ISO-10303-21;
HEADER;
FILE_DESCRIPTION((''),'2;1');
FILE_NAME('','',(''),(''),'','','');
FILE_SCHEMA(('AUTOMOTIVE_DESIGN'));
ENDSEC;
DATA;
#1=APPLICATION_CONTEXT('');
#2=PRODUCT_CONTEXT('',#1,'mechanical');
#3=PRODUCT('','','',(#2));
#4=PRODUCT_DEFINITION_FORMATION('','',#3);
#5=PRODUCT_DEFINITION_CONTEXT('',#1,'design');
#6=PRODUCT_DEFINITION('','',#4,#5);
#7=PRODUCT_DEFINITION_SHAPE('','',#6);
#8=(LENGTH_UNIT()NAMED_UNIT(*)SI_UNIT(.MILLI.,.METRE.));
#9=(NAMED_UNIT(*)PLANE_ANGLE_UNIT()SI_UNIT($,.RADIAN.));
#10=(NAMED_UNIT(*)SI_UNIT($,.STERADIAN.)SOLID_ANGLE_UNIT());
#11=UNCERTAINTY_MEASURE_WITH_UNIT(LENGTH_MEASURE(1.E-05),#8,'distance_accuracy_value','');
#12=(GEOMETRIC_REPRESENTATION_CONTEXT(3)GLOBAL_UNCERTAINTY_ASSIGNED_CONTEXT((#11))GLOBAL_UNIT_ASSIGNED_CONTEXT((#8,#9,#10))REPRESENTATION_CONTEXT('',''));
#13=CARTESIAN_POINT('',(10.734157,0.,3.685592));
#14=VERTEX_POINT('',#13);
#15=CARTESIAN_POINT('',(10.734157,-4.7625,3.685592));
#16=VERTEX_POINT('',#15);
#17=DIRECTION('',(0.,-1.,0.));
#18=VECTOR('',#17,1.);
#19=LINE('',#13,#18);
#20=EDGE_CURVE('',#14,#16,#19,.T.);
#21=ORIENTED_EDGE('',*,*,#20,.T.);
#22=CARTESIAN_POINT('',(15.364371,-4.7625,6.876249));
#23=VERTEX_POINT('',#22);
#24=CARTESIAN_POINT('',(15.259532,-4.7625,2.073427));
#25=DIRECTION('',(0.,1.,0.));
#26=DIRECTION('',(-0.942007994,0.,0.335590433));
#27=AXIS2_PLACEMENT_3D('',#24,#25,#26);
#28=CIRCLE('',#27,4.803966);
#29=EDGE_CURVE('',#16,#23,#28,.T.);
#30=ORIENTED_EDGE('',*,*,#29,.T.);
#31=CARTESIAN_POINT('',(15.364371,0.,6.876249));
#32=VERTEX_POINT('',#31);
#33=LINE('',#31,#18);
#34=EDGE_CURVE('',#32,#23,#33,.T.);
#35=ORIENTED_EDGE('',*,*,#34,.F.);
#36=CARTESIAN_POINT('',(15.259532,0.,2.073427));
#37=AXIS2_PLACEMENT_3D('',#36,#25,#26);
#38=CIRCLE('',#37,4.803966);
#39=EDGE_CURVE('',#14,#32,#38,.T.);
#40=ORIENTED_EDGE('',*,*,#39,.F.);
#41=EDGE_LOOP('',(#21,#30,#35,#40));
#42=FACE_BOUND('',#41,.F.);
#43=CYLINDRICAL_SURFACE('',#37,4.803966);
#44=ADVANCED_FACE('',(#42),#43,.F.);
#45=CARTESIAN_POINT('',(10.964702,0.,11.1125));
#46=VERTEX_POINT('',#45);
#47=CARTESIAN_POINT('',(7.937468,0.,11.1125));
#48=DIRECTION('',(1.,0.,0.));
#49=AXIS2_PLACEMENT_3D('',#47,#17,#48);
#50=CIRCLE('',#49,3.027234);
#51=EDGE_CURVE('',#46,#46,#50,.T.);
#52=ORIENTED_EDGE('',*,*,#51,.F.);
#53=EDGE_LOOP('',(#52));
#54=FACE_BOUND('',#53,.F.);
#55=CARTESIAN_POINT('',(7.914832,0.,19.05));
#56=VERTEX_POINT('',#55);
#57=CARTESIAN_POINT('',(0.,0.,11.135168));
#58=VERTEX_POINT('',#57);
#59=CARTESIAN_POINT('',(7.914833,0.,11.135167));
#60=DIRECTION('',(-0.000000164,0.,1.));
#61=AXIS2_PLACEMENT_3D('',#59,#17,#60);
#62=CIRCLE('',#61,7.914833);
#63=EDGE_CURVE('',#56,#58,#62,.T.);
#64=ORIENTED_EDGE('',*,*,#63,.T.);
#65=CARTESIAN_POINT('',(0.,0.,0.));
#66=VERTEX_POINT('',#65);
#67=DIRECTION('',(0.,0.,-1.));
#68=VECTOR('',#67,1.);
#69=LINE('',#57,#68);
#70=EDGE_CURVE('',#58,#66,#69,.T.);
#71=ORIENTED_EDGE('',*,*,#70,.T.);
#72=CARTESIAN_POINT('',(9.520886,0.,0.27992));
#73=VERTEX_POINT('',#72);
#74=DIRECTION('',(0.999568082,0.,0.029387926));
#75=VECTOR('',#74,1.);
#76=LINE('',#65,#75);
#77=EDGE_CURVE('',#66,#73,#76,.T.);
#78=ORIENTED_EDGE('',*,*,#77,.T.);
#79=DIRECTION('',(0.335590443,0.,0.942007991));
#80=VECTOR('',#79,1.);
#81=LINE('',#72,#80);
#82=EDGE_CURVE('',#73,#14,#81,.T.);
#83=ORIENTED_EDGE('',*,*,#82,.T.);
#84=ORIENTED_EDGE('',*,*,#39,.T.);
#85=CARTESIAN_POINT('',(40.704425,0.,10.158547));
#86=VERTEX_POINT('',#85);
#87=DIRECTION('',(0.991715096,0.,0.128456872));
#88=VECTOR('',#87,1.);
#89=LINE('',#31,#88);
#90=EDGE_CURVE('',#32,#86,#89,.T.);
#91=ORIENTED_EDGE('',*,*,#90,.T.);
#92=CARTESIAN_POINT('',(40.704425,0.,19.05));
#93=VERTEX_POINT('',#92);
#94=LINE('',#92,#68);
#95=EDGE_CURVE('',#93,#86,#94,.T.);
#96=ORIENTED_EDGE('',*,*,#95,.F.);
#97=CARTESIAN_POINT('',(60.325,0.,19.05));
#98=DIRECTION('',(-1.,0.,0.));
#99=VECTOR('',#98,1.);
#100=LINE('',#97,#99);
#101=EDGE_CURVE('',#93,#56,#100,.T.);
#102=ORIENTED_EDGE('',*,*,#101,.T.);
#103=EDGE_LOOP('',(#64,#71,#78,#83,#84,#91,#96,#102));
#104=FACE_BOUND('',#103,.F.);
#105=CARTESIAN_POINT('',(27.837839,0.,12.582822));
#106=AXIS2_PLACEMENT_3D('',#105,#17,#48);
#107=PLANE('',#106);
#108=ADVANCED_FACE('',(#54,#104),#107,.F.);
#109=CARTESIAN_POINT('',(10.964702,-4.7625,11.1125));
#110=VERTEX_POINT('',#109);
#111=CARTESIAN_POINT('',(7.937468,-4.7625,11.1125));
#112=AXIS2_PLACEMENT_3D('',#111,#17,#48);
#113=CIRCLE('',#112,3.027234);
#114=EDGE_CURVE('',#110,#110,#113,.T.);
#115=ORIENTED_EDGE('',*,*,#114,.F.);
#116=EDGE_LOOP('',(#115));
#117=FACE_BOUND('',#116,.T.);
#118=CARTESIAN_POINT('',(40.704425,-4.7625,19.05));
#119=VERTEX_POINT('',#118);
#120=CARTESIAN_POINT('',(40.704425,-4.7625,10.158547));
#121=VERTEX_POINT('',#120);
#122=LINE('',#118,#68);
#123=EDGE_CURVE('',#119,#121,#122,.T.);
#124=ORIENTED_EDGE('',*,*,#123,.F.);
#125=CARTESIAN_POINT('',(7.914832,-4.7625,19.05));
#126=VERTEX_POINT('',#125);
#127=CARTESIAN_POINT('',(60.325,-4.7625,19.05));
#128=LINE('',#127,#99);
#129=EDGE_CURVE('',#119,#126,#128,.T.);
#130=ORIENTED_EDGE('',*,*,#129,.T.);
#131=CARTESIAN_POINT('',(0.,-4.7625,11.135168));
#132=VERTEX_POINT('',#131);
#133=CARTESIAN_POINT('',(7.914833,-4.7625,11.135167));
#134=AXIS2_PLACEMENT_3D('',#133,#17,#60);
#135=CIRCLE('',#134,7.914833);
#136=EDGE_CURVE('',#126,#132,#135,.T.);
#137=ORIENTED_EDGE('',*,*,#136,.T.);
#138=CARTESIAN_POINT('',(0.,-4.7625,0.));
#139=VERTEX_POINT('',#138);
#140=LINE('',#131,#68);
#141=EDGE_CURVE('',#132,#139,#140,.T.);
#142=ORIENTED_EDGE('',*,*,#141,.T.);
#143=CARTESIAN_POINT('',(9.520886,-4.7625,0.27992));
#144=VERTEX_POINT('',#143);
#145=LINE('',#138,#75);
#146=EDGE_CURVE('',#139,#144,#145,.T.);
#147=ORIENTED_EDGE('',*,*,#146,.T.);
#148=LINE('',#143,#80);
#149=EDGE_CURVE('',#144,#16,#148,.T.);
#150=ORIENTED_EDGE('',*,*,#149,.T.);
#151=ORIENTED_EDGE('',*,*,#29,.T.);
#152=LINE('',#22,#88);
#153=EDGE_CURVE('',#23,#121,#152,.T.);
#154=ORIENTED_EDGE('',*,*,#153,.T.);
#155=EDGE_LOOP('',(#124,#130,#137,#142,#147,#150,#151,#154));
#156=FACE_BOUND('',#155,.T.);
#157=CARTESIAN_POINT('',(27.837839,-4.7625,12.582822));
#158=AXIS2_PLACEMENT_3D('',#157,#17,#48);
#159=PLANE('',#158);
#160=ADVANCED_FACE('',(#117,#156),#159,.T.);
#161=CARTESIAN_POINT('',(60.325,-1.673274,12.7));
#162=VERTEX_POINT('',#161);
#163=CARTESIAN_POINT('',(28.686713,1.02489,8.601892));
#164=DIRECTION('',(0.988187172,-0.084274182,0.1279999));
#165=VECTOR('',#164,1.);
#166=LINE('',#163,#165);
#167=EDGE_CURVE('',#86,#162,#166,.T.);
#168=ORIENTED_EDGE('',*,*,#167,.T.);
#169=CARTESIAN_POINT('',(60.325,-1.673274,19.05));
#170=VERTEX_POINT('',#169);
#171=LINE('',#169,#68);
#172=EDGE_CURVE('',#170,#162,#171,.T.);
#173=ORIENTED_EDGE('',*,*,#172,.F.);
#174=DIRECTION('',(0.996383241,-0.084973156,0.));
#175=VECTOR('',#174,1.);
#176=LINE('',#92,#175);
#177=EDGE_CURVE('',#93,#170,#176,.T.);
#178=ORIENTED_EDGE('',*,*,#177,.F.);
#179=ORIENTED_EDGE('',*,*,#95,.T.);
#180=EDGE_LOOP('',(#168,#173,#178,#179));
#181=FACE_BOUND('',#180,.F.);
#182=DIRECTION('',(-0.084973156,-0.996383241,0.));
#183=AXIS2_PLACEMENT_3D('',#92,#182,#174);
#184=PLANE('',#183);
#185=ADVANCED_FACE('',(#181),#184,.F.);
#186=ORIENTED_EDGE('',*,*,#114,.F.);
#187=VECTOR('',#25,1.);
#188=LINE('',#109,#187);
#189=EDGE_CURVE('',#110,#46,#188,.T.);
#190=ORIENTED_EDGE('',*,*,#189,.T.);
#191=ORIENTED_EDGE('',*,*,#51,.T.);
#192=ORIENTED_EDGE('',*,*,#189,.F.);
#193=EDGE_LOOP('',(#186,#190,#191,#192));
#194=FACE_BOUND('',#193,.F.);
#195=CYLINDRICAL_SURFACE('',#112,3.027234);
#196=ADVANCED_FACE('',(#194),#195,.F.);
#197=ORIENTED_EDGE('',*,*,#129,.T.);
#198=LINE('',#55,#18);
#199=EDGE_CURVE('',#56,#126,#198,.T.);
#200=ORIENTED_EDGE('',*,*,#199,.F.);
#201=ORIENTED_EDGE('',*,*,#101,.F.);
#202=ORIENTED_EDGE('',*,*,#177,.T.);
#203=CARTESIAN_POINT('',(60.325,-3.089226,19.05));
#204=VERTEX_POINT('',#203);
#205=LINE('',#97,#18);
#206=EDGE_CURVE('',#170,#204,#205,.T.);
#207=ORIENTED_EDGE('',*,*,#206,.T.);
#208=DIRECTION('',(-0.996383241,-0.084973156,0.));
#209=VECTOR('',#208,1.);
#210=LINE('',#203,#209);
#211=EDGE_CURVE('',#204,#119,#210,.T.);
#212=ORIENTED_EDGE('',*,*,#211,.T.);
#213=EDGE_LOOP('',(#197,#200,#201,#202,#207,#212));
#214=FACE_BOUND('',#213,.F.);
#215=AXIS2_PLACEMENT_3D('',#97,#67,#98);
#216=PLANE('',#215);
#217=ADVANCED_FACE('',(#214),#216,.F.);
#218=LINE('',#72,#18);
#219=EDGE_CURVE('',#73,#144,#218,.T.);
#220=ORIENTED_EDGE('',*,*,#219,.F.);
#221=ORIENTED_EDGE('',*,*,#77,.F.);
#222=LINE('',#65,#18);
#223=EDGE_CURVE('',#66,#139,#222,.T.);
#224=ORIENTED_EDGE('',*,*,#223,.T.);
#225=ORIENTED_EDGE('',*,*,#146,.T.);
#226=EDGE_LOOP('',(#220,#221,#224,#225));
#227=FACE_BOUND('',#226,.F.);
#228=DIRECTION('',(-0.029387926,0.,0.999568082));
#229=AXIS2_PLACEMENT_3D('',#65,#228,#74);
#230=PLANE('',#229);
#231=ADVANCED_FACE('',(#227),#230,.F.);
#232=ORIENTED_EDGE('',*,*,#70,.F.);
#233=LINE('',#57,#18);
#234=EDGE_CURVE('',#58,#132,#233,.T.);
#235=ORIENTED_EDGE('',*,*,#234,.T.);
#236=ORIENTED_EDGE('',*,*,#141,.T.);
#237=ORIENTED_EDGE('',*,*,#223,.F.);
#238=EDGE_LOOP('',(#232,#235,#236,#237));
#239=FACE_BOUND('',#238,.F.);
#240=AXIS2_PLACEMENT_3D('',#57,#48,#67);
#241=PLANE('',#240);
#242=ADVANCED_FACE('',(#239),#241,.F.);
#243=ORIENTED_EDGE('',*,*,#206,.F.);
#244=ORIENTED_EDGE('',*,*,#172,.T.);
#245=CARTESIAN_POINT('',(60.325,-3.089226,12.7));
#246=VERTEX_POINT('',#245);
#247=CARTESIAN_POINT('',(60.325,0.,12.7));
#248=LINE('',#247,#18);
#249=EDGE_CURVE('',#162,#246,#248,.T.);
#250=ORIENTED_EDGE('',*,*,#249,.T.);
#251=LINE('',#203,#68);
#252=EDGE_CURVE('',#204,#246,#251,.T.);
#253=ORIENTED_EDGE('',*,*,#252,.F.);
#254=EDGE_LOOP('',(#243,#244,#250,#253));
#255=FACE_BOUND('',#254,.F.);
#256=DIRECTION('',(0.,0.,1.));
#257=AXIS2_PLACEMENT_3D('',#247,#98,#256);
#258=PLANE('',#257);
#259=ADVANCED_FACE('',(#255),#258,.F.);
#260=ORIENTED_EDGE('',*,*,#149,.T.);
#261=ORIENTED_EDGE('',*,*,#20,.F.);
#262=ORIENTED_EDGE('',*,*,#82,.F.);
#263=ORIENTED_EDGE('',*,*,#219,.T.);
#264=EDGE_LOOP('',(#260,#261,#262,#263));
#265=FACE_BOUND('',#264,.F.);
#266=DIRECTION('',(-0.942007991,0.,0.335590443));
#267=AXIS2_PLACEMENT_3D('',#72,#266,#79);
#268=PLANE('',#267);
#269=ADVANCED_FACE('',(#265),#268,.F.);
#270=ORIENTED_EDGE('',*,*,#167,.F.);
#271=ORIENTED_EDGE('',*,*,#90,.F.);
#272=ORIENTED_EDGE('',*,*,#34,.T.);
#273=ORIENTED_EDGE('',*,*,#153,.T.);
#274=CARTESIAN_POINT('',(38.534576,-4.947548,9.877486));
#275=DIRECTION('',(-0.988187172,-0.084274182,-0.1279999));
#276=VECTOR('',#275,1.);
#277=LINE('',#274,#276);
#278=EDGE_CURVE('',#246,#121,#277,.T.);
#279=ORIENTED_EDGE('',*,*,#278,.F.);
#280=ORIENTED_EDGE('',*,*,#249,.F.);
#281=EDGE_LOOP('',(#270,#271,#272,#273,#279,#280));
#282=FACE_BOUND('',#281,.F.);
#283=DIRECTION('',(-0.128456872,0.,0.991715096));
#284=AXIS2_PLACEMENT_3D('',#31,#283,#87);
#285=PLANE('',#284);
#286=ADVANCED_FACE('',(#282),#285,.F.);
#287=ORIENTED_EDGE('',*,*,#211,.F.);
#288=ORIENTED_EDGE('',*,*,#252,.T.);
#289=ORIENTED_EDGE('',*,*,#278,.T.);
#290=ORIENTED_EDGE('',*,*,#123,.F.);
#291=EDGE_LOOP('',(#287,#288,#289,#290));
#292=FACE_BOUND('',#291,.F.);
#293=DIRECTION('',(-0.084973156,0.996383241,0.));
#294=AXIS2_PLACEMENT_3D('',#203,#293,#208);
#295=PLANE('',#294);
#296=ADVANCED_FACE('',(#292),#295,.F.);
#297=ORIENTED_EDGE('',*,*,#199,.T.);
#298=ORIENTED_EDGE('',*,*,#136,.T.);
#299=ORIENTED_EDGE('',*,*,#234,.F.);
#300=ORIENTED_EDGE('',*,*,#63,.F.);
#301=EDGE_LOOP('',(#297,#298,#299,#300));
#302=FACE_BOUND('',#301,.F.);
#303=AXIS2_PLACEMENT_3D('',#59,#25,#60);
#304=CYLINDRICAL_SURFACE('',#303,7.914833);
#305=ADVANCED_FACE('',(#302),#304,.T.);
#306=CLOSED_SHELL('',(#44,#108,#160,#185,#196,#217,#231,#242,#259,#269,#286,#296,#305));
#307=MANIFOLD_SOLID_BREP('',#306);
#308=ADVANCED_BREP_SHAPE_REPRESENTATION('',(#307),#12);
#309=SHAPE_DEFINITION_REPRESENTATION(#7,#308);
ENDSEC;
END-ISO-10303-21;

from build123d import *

# Parameters (mm, degrees)
F1_DEPTH = 4.7625
F2_R     = 3.027234
F3_DEPTH = 25.4
F5_DEPTH = 25.4


with BuildPart() as f1:
    # F0 (on Front) → F1 (new body)
    with BuildSketch(Plane.XZ):
        with BuildLine():
            Line((60.325, 19.05), (7.914832, 19.05))
            ThreePointArc((7.914832, 19.05), (2.318201, 16.731799), (0, 11.135168))
            Line((0, 11.135168), (0, 0))
            Line((0, 0), (9.520886, 0.27992))
            Line((9.520886, 0.27992), (10.734157, 3.685592))
            ThreePointArc((10.734157, 3.685592), (12.533664, 6.029149), (15.364371, 6.876249))
            Line((15.364371, 6.876249), (60.325, 12.7))
            Line((60.325, 12.7), (60.325, 19.05))
        make_face()
    extrude(amount=F1_DEPTH)

    # F2 (on face) → F3 (cut)
    with BuildSketch(Plane.XZ.offset(4.7625)):
        with Locations((7.937468, 11.1125)):
            Circle(F2_R)
    extrude(amount=-F3_DEPTH, mode=Mode.SUBTRACT)

    # F4 (on face) → F5 (cut)
    with BuildSketch(Plane.XY.offset(19.05)):
        Polygon((40.704425, 0), (60.325, -1.673274), (60.325, 0), align=None)
        Polygon((60.325, -4.7625), (60.325, -3.089226), (40.704425, -4.7625), align=None)
    extrude(amount=-F5_DEPTH, mode=Mode.SUBTRACT)


solid = f1.part
